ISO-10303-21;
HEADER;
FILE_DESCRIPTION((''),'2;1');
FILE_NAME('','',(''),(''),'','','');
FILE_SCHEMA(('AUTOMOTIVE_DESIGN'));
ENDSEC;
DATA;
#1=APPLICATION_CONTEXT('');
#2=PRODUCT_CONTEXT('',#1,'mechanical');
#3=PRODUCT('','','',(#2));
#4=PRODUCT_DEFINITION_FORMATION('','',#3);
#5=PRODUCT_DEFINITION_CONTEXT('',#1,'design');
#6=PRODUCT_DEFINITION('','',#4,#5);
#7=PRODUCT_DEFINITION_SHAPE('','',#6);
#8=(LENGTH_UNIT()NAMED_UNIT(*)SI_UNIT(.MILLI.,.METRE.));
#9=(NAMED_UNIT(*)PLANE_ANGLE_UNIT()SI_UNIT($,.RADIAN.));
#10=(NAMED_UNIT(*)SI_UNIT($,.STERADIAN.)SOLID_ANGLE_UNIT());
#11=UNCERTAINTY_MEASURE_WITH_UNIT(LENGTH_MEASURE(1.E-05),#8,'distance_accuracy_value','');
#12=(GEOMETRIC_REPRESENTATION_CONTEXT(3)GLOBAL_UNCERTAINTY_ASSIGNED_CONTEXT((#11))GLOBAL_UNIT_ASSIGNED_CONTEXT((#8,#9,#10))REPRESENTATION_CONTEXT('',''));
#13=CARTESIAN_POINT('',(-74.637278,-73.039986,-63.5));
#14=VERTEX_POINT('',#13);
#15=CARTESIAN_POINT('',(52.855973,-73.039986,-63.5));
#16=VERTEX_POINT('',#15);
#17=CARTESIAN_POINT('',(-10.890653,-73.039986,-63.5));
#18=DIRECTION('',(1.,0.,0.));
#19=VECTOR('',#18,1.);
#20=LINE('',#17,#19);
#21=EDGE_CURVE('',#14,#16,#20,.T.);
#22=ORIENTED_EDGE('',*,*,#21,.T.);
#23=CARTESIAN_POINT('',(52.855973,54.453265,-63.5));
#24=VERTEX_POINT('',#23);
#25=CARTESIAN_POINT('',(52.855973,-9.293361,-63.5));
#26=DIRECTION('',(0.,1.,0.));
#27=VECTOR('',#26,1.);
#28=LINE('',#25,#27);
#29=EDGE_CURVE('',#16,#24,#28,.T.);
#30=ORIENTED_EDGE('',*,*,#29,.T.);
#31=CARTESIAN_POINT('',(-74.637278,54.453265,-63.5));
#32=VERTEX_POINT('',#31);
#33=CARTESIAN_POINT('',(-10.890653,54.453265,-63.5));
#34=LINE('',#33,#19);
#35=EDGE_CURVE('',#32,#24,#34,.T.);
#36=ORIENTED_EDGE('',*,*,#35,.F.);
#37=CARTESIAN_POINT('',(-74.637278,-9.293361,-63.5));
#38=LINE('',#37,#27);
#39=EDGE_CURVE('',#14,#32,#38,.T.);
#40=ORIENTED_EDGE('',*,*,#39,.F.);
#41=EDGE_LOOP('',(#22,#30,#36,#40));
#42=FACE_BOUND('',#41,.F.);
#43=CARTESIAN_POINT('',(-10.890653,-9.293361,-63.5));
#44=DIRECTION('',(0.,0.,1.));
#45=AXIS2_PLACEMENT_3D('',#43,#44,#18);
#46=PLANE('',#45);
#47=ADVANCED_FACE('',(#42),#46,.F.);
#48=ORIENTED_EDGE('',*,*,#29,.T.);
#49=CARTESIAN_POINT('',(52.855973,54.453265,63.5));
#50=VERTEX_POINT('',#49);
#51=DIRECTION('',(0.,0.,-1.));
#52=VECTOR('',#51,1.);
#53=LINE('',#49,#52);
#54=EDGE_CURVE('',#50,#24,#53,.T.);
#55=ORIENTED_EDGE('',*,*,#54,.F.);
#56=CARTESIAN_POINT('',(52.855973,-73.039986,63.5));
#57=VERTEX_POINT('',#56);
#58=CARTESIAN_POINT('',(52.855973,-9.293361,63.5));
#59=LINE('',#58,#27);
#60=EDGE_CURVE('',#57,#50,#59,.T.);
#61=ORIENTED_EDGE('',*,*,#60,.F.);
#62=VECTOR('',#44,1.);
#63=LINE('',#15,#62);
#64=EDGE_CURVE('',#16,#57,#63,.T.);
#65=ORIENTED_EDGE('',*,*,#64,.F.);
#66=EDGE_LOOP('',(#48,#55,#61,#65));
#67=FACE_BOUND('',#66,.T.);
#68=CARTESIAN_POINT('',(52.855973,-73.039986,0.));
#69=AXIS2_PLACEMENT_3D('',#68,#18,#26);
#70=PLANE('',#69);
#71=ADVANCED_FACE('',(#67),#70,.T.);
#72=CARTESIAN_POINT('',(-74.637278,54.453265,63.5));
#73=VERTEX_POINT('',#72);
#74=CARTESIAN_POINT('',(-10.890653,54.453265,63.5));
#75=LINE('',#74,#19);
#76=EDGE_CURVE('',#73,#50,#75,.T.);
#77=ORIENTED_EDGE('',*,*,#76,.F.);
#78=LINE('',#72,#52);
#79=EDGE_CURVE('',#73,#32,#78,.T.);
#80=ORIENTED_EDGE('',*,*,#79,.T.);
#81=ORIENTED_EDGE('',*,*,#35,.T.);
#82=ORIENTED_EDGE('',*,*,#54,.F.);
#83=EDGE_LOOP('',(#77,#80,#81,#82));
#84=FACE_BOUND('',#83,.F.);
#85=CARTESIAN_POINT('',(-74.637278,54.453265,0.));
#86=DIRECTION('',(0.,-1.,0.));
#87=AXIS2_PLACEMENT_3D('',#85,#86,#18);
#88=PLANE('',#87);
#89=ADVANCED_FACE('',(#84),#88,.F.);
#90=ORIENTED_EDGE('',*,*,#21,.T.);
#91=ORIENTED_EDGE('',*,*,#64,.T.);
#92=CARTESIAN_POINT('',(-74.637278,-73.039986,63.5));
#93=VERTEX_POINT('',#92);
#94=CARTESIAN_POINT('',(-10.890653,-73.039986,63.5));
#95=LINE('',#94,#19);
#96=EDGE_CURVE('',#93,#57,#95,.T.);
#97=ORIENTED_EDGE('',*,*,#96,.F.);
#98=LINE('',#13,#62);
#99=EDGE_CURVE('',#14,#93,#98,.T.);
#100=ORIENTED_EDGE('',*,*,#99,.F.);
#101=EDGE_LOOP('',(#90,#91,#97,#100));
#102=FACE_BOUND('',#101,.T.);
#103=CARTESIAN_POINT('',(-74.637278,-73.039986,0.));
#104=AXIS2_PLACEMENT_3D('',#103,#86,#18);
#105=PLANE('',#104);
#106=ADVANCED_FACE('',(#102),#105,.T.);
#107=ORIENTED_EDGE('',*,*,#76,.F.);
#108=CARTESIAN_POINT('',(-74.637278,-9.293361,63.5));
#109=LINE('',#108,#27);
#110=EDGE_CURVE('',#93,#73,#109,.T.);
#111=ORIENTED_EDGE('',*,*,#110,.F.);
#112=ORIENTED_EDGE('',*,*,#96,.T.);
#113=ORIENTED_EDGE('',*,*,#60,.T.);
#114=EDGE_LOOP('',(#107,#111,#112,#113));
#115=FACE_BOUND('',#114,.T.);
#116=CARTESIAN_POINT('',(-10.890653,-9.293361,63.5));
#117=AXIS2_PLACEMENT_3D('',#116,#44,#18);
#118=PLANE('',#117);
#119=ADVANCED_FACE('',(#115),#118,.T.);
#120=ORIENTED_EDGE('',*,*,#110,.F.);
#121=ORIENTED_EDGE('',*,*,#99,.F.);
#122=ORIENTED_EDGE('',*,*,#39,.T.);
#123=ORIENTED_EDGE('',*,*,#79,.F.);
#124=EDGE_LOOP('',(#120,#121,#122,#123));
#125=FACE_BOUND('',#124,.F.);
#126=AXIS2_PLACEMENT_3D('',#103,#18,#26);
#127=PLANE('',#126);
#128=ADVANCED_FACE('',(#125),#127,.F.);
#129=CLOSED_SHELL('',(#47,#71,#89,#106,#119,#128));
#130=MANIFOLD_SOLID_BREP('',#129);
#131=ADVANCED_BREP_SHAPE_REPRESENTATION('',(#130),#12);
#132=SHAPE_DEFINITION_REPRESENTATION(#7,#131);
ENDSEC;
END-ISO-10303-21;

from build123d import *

# Parameters (mm, degrees)
F0_W     = 127.493251
F0_H     = 127.493251
F1_DEPTH = 63.5


with BuildPart() as f1:
    # F0 (on Top) → F1 (new body, symmetric)
    with BuildSketch(Plane.XY):
        with Locations((-10.890653, -9.293361)):
            Rectangle(F0_W, F0_H)
    extrude(amount=F1_DEPTH, both=True)


solid = f1.part
